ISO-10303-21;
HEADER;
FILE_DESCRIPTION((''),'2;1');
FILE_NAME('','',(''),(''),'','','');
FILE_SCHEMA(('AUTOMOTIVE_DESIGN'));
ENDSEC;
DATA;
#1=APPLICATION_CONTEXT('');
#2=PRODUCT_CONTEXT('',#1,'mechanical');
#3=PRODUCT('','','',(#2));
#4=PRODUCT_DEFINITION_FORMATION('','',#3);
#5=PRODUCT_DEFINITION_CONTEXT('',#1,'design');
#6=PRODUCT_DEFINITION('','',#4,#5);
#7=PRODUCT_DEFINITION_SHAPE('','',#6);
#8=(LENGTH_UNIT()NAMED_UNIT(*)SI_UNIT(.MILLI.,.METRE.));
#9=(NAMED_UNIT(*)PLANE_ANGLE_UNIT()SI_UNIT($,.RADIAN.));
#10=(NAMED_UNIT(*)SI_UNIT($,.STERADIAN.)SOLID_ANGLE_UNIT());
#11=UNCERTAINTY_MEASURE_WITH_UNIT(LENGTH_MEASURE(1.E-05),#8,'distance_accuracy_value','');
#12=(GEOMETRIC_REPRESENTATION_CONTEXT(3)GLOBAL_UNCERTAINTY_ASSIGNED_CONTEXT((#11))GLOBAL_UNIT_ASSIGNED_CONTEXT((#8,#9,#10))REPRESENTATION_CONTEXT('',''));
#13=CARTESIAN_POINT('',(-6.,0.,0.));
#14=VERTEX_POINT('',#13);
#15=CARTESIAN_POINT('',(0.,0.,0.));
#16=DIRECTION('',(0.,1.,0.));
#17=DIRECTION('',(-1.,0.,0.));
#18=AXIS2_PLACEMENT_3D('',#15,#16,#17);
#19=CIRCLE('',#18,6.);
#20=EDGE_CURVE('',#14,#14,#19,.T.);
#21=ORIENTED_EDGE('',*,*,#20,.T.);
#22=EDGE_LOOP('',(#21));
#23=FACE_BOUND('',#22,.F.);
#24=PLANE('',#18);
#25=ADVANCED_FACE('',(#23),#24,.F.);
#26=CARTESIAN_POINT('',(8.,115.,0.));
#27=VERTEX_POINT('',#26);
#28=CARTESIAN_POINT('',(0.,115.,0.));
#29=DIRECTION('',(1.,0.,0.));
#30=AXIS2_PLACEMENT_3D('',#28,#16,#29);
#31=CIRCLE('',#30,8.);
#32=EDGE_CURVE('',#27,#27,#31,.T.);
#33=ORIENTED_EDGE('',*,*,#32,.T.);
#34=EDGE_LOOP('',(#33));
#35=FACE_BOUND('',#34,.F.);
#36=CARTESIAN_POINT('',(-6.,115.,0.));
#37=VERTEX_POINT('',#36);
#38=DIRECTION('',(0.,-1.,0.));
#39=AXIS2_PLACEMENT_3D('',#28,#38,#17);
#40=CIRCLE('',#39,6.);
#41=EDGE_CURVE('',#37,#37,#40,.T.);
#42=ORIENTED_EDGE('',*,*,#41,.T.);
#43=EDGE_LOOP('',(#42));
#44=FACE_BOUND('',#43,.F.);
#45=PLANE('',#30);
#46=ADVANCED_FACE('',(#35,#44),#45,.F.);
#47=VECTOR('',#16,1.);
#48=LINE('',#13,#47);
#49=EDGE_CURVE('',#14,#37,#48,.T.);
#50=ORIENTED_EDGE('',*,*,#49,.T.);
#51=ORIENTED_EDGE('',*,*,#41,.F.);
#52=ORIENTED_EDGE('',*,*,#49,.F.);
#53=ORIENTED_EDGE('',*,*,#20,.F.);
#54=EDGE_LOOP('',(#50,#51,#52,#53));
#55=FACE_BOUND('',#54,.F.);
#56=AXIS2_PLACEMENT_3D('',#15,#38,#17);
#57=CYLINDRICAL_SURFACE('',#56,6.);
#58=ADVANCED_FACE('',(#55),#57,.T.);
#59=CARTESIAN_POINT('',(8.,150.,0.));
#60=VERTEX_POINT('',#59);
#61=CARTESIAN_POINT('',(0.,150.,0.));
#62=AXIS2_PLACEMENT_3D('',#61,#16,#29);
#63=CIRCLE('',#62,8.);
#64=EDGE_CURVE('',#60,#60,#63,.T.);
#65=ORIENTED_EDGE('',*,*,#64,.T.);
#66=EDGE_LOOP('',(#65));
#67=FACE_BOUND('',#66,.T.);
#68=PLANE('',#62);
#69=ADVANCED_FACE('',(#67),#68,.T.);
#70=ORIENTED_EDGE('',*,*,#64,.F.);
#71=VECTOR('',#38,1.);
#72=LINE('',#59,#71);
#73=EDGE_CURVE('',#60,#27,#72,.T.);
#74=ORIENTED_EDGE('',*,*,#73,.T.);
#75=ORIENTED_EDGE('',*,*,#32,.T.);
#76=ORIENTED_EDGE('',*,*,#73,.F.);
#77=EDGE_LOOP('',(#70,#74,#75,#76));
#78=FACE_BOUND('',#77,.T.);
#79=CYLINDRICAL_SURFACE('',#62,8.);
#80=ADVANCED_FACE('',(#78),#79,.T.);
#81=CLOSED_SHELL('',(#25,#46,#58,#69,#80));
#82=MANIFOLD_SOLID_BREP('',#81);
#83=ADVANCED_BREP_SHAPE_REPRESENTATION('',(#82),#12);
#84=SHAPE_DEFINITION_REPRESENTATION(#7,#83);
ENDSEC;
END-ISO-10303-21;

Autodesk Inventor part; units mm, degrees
ref_plane "YZ Plane" through (0, 0, 0) normal (1, 0, 0) x (0, 1, 0)
ref_plane "XZ Plane" through (0, 0, 0) normal (0, 1, 0) x (-1, 0, 0)
ref_plane "XY Plane" through (0, 0, 0) normal (0, 0, 1) x (1, 0, 0)
sketch "Sketch1" plane through (0, 0, 0) normal (0, 1, 0) x (-1, 0, 0)
  circle A0 centre (0, 0) radius 6
  dimension "d0" = 12
extrude "Extrusion1" add sketch "Sketch1" along normal blind 150
sketch "Sketch2" plane through (0, 150, 0) normal (0, 1, 0) x (1, 0, 0)
  circle A0 centre (0, 0) radius 8
  dimension "d3" = 16
extrude "Extrusion2" add sketch "Sketch2" against normal blind 35
properties part number "pH Sensor"
